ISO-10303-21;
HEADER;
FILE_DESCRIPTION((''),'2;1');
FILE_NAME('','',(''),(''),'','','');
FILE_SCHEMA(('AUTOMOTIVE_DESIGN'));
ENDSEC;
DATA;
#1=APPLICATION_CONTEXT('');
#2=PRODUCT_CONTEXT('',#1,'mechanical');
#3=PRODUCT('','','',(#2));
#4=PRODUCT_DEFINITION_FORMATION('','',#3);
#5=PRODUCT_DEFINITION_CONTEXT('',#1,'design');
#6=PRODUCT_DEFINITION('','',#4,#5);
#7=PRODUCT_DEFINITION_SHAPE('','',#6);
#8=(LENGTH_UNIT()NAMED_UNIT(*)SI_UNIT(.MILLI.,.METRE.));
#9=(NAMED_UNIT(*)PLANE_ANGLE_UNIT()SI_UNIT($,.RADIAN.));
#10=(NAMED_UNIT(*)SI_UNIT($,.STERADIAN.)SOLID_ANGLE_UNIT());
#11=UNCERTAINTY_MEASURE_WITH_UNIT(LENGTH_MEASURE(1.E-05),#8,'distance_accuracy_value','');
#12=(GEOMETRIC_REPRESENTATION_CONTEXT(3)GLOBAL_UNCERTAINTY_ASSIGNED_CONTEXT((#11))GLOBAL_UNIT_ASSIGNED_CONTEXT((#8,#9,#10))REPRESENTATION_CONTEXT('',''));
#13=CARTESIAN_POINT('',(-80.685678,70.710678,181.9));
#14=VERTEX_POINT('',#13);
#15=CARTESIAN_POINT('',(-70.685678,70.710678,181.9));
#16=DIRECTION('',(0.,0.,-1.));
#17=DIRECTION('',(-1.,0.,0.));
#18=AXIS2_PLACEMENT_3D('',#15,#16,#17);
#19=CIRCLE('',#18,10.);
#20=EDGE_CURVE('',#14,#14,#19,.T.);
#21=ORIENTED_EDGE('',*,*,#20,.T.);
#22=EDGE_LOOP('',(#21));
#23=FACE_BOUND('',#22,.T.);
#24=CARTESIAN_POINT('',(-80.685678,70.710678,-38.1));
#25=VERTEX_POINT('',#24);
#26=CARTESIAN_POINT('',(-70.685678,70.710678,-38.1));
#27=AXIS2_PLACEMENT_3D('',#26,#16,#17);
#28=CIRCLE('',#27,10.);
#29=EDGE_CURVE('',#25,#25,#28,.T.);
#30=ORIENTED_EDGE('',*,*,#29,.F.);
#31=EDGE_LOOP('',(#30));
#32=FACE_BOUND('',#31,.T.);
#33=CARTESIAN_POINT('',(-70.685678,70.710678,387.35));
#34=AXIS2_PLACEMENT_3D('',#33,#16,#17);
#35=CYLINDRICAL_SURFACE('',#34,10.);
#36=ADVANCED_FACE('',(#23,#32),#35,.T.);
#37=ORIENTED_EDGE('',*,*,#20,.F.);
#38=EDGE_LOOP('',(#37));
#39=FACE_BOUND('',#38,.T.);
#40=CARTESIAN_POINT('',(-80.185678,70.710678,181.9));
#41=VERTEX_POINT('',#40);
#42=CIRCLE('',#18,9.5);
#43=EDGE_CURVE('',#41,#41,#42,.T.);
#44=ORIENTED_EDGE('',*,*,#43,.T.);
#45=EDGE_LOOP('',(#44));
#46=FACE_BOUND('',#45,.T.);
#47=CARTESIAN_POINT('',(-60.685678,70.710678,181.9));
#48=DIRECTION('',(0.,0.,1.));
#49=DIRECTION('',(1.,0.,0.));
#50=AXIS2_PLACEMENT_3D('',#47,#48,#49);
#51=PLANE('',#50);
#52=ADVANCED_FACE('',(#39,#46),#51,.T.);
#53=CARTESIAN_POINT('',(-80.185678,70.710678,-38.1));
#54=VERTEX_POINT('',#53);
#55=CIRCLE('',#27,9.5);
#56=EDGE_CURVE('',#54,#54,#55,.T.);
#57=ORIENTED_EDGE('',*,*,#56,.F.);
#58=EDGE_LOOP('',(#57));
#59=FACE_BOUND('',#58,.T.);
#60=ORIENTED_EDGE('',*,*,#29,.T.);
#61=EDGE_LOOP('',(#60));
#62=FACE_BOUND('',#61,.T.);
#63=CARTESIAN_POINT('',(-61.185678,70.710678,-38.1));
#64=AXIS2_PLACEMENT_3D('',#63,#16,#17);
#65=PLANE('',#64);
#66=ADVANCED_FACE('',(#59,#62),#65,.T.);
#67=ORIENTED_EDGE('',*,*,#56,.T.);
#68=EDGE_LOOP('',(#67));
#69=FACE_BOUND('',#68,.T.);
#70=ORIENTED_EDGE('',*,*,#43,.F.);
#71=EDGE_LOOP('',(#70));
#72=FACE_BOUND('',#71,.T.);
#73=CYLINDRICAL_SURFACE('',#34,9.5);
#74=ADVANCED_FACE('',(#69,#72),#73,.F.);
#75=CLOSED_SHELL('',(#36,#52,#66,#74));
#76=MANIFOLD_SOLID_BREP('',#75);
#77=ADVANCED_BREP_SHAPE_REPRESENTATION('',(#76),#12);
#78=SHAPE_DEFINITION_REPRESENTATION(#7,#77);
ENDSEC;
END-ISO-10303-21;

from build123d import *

# Parameters (mm, degrees)
SKETCH_1_W = 0.5
SKETCH_1_H = 220


with BuildPart() as part:
    # 草图1 → 旋转1 (revolve)
    with BuildSketch(Plane.XZ.offset(-70.710678119)):
        with Locations((-60.935678119, 71.9)):
            Rectangle(SKETCH_1_W, SKETCH_1_H)
    revolve(axis=Axis((-70.685678119, 70.710678119, 387.35), (0, 0, -1)))


solid = part.part
